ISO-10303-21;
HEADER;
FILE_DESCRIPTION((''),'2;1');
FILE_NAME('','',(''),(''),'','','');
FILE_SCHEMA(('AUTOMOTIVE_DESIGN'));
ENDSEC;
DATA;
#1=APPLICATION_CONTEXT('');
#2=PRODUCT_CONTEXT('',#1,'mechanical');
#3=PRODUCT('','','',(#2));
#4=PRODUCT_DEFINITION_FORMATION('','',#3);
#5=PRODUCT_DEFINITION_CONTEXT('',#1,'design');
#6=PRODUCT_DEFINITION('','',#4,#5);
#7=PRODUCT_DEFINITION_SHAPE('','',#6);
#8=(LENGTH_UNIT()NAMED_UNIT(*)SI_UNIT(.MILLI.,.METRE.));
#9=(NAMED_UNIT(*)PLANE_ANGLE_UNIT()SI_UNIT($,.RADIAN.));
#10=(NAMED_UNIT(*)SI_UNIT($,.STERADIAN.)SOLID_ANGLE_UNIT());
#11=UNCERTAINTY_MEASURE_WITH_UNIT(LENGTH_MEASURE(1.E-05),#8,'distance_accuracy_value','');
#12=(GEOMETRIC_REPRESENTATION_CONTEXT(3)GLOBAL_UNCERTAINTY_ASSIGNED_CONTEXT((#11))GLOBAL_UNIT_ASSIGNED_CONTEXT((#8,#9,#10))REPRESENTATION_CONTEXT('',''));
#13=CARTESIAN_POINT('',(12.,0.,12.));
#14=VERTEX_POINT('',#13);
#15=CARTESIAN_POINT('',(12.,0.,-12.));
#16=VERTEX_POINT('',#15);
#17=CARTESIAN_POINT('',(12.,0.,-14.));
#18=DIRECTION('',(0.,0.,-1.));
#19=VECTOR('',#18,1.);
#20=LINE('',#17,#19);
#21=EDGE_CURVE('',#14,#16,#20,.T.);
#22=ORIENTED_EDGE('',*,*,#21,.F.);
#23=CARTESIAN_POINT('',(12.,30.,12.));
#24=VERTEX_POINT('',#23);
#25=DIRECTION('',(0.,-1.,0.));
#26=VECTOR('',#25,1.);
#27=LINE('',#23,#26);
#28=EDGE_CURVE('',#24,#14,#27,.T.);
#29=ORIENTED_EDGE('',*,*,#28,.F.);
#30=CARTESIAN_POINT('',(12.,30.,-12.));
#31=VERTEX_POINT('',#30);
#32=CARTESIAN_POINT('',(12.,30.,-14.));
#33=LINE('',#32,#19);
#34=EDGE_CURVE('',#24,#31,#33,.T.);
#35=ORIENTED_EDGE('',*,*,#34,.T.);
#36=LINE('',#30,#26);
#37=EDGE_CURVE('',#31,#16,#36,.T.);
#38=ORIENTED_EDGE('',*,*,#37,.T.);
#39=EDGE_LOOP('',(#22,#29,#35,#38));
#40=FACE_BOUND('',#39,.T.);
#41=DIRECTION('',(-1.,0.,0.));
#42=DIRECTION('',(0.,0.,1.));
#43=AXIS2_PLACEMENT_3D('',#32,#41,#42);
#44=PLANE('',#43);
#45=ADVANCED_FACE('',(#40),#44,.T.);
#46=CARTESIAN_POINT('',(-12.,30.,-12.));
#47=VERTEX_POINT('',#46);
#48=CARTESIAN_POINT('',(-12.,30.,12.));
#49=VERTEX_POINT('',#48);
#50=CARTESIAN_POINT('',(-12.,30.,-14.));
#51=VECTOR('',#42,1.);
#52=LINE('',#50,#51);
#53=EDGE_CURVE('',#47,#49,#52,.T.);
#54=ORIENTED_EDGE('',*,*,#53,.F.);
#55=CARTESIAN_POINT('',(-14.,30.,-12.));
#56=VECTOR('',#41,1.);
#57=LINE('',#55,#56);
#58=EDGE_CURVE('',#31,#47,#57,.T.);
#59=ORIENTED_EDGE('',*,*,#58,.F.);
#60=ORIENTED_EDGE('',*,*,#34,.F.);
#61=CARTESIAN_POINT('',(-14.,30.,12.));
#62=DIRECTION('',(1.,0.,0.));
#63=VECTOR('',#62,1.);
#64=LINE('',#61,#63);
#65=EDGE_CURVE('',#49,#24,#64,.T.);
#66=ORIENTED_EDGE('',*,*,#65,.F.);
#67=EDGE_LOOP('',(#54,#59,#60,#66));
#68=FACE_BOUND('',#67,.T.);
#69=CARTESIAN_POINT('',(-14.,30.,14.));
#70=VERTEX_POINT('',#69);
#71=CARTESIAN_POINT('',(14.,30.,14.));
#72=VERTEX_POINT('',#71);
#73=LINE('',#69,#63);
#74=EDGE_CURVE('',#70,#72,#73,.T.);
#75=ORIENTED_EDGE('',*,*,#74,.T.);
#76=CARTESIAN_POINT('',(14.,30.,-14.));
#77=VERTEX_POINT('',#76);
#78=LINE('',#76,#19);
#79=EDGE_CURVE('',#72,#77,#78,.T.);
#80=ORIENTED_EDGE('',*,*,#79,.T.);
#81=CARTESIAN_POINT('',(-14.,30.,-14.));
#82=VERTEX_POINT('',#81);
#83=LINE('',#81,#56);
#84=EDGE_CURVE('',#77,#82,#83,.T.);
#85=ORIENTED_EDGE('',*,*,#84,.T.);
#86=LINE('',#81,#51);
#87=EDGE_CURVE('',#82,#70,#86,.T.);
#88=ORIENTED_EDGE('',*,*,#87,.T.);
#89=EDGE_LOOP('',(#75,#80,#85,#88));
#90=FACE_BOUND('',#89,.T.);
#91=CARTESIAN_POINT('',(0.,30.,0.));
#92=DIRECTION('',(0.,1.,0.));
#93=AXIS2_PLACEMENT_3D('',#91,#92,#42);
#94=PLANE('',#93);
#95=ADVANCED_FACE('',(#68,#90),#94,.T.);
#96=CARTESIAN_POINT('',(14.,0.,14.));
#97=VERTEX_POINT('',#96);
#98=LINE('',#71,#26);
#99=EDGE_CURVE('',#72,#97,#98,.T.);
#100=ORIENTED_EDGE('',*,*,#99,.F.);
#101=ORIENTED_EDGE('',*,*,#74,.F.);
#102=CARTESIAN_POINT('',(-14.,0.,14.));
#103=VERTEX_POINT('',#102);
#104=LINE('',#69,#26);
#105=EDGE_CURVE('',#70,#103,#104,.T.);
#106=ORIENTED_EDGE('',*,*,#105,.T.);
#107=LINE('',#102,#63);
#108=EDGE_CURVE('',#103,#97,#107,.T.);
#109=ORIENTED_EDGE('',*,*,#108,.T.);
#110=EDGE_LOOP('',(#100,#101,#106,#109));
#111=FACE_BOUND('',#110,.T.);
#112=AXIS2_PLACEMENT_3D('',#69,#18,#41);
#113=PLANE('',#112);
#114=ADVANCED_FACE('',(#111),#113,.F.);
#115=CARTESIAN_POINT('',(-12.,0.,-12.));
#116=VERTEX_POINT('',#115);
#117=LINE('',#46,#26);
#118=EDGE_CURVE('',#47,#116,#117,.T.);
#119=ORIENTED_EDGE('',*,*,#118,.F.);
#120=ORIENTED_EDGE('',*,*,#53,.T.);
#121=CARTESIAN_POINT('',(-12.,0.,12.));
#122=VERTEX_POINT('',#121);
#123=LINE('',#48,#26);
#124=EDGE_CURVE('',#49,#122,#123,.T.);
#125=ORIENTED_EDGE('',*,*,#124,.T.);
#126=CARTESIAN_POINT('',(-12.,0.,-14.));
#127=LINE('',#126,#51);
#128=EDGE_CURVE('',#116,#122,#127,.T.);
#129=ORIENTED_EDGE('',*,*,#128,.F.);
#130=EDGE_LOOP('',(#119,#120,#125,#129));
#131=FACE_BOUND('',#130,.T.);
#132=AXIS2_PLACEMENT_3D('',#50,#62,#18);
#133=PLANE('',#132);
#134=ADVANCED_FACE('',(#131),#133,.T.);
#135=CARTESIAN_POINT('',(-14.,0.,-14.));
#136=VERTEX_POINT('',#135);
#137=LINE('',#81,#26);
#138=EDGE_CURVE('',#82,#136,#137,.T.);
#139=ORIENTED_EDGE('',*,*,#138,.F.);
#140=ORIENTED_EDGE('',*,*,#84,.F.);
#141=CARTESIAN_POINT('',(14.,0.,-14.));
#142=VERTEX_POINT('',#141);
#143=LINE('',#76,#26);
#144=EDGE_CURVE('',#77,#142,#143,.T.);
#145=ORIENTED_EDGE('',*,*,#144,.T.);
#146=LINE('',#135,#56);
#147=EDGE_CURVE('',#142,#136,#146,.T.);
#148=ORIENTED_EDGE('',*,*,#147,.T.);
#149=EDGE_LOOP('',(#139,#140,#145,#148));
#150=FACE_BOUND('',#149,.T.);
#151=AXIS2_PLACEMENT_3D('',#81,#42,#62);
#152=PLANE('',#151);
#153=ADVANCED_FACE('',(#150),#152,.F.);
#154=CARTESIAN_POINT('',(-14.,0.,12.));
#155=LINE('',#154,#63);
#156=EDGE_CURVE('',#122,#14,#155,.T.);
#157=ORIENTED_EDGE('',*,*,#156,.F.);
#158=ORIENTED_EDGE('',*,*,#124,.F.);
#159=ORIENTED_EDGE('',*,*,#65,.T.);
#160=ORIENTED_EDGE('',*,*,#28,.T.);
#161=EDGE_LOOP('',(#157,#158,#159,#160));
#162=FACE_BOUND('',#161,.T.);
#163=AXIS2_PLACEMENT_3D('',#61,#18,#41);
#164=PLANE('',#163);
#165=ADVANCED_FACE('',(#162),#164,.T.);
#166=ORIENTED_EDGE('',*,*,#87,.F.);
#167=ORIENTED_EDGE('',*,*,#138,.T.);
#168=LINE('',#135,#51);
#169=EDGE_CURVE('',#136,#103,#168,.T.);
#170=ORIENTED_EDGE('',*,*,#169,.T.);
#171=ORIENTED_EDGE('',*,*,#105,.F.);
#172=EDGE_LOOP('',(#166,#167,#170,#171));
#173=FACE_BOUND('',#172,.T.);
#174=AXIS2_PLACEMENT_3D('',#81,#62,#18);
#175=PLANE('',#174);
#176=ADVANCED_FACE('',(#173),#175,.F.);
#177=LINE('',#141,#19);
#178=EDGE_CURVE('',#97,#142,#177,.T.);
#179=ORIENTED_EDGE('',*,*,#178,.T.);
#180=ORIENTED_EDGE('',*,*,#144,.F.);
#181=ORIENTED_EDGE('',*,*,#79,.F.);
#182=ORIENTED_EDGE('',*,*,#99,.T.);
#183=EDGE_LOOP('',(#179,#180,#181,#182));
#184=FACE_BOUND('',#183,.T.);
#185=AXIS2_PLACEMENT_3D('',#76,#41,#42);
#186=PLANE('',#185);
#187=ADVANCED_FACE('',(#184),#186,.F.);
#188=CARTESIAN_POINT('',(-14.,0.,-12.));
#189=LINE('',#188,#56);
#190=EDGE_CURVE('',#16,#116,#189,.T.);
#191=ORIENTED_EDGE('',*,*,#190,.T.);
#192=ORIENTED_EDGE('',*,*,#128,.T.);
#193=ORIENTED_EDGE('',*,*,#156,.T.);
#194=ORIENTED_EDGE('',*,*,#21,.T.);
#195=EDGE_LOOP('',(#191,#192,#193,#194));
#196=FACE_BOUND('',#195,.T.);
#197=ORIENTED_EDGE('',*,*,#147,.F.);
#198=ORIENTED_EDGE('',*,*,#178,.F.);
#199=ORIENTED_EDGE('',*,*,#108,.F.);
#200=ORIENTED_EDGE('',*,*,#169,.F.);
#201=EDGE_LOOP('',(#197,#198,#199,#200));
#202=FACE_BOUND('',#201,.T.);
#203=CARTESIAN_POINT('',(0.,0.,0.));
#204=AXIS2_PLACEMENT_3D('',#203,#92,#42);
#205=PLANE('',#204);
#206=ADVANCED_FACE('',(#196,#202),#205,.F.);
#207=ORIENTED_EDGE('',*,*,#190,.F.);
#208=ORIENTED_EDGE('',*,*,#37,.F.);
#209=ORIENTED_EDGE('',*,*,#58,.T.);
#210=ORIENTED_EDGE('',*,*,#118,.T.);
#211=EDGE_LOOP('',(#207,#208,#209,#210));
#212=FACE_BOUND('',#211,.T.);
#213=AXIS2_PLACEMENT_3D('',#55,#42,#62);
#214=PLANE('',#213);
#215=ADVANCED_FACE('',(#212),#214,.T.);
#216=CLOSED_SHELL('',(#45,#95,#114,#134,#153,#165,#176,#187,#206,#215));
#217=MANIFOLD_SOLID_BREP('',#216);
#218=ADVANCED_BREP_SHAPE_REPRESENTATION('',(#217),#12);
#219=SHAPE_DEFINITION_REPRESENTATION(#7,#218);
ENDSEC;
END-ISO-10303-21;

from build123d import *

# Parameters (mm, degrees)
SKETCH_1_W      = 28
SKETCH_1_H      = 28
SKETCH_1_W_2    = 24
SKETCH_1_H_2    = 24
EXTRUDE_1_DEPTH = 30


with BuildPart() as part:
    # Эскиз1 → Вытянуть-Тонкостенный1 (new body)
    with BuildSketch(Plane(origin=(0, 0, 0), x_dir=(1, 0, 0), z_dir=(0, 1, 0))):
        Rectangle(SKETCH_1_W, SKETCH_1_H)
        Rectangle(SKETCH_1_W_2, SKETCH_1_H_2, mode=Mode.SUBTRACT)
    extrude(amount=EXTRUDE_1_DEPTH)


solid = part.part
